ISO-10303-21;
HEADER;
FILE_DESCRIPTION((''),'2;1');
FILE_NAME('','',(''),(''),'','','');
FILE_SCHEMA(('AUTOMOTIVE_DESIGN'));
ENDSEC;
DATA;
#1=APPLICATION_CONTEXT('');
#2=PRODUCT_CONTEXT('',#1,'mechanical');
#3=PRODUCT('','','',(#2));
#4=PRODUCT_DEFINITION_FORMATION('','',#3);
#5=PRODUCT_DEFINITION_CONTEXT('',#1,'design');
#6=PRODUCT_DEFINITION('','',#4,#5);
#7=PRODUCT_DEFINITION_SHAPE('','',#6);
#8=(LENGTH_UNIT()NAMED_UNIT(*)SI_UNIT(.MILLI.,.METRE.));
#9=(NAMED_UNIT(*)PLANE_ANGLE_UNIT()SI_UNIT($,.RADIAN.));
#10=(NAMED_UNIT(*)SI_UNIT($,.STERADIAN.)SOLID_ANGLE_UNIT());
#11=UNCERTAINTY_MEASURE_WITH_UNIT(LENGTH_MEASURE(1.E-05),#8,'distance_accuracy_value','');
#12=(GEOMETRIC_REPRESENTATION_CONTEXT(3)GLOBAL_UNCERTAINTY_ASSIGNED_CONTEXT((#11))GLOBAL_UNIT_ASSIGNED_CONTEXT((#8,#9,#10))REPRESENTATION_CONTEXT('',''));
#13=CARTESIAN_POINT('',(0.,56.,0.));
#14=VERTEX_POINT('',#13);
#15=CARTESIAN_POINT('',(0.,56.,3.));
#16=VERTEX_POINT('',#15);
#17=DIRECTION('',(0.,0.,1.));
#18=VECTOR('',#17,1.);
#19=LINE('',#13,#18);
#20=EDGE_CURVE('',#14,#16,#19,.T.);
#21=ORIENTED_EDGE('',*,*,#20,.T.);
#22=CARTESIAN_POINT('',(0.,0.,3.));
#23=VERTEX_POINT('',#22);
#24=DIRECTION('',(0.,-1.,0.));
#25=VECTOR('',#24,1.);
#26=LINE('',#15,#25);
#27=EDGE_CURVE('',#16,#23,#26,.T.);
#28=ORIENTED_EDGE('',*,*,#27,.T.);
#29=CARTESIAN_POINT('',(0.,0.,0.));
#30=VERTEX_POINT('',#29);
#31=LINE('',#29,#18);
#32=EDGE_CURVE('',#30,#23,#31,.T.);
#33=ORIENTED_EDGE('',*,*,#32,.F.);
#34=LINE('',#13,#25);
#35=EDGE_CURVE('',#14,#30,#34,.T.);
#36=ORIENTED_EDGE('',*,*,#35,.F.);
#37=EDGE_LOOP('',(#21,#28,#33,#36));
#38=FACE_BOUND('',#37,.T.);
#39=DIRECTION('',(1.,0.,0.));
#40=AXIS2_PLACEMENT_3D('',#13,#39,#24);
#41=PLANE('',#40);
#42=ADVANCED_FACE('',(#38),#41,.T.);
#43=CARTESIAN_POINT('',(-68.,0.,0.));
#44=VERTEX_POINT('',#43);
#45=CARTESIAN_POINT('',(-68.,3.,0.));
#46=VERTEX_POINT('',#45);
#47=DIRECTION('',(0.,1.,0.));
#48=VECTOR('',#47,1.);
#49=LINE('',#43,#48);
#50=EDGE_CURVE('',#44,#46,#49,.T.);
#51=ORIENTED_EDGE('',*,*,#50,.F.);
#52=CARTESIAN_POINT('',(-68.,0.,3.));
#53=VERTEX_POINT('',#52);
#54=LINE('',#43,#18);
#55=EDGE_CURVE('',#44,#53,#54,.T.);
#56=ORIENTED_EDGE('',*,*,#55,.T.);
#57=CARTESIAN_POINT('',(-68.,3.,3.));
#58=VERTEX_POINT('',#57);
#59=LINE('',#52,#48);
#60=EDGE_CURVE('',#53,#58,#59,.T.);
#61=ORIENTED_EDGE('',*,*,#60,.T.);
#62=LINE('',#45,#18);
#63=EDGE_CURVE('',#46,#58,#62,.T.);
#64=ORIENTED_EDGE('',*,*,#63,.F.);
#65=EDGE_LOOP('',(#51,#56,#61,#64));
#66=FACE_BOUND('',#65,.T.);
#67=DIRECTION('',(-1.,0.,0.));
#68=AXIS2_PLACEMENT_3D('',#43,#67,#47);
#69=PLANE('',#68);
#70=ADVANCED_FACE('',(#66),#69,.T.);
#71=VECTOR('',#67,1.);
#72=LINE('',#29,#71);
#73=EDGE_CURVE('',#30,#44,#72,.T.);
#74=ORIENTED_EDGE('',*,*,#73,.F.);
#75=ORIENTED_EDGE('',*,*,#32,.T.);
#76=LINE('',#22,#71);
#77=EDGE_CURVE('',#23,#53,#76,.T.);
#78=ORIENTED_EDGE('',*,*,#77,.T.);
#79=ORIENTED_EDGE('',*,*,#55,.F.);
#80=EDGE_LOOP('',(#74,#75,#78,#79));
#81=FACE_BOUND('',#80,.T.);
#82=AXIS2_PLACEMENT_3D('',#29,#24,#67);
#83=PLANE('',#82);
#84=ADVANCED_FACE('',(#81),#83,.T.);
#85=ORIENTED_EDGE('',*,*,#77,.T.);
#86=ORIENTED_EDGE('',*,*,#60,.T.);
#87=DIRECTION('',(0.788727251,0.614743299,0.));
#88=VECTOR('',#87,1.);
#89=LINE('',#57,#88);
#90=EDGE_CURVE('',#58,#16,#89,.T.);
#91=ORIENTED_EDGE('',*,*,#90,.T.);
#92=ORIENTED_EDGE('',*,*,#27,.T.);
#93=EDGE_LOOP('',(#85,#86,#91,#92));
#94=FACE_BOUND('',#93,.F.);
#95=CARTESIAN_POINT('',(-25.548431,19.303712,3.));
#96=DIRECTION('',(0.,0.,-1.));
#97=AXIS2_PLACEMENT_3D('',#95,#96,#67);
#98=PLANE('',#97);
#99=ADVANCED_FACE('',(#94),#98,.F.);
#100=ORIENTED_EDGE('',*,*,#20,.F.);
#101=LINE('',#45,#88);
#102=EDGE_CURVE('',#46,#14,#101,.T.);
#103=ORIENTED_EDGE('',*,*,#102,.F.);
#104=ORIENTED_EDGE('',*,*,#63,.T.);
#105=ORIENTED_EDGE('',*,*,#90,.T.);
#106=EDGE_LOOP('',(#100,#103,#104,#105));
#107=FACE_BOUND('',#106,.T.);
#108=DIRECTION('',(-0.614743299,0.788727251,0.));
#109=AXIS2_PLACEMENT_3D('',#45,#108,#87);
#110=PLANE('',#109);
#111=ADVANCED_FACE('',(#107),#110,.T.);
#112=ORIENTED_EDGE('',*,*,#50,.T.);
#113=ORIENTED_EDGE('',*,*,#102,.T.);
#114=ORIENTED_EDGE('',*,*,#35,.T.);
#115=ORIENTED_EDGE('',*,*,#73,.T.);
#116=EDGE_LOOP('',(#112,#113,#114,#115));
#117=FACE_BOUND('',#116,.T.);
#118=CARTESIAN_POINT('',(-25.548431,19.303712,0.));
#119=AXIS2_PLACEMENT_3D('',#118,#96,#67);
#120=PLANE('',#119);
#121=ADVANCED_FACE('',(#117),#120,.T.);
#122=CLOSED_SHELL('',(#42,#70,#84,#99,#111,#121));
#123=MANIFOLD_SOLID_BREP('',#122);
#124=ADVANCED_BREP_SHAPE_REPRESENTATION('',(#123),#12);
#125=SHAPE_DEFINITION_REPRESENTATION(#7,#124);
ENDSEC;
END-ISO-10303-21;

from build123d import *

# Parameters (mm, degrees)
PAD_DEPTH = 3


with BuildPart() as part:
    # Sketch → Pad (new body)
    with BuildSketch(Plane.XY):
        Polygon((0, 0), (-68, 0), (-68, 3), (0, 56), align=None)
    extrude(amount=PAD_DEPTH)


solid = part.part
